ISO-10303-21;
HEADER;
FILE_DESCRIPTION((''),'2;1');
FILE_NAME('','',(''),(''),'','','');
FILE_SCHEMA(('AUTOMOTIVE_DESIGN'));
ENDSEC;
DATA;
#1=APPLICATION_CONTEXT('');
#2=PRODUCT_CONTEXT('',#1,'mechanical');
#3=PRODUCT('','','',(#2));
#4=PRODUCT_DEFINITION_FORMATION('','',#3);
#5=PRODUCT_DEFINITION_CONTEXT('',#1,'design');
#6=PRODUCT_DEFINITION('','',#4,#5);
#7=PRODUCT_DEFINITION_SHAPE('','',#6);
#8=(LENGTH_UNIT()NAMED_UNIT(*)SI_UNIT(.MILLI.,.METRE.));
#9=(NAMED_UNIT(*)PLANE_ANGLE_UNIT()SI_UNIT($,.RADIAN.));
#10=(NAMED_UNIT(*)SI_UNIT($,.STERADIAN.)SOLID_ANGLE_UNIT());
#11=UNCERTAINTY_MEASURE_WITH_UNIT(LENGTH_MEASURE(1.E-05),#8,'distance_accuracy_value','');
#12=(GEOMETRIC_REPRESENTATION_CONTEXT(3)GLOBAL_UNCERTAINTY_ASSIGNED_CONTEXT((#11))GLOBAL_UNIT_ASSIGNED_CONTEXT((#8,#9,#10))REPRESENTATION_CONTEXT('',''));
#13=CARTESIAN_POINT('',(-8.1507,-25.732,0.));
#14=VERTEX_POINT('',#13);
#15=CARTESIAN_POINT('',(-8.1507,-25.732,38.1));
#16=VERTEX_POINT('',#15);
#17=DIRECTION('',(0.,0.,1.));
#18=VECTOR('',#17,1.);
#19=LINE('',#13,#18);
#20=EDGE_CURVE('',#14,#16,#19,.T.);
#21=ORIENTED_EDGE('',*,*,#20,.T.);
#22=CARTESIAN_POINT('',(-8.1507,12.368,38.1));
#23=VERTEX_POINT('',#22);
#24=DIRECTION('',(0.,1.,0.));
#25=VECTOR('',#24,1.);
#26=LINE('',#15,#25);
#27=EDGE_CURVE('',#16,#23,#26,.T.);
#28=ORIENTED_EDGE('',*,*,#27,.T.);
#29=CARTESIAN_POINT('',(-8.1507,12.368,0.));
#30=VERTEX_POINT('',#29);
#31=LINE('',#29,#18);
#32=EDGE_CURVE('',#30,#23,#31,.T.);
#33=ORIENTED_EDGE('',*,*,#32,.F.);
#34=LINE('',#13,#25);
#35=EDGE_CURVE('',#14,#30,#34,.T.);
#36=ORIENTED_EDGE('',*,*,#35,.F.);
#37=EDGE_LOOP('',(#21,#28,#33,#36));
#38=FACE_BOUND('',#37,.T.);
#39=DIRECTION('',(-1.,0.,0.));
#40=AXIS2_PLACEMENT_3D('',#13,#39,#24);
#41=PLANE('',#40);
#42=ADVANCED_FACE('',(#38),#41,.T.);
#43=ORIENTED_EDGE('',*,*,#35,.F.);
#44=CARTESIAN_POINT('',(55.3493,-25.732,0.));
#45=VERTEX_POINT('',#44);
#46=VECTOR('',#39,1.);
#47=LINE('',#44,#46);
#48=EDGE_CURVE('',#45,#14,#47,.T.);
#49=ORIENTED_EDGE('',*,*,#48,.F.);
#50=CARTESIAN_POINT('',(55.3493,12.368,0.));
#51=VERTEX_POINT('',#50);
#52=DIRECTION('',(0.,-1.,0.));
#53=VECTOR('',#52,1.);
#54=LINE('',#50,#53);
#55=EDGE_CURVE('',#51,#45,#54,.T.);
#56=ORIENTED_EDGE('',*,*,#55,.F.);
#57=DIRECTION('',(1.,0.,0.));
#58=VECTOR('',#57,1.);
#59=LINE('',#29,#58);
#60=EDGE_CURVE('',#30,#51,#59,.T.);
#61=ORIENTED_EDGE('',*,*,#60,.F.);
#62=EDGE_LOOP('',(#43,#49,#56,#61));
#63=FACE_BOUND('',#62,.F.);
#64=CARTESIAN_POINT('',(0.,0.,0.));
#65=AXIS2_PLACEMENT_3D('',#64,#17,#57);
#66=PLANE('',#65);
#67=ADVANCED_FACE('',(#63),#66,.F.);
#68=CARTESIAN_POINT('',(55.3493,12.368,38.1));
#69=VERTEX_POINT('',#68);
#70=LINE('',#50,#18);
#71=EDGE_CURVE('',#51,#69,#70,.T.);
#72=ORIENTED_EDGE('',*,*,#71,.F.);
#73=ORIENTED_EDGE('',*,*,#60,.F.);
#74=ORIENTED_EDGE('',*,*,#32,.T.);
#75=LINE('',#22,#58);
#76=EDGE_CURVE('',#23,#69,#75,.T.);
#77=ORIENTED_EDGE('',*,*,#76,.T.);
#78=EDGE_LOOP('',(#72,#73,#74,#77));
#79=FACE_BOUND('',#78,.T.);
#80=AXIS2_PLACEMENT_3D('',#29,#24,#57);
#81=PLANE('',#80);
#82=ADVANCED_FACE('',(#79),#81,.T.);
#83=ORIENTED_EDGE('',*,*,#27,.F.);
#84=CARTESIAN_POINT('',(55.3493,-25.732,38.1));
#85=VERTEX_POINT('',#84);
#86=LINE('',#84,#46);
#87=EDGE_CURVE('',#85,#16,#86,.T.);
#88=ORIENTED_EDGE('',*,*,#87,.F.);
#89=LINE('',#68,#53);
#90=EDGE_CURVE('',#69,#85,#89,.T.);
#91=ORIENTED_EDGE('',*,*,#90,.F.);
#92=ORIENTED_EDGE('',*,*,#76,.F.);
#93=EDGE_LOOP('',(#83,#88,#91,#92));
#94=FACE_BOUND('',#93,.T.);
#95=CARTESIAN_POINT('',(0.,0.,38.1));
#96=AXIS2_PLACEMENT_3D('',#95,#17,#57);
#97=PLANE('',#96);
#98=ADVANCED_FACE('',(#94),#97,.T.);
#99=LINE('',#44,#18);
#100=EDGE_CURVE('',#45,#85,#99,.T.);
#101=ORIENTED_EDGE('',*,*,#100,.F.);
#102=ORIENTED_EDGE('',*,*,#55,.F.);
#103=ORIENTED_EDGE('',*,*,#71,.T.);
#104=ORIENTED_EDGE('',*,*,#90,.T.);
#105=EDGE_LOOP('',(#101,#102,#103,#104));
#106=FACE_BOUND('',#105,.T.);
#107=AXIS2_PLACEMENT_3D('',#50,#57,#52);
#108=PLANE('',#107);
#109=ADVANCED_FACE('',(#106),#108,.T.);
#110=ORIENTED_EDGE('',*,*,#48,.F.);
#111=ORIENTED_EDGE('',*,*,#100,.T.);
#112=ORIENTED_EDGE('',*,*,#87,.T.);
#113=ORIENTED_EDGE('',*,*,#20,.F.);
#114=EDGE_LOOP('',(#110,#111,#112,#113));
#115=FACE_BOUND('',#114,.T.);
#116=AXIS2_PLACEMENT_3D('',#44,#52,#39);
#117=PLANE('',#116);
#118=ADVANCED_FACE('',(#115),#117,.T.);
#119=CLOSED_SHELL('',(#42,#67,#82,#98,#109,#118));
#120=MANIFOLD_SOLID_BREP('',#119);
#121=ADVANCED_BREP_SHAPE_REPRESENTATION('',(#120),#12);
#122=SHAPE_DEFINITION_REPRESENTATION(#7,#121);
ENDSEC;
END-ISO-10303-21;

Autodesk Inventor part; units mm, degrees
ref_plane "YZ Plane" through (0, 0, 0) normal (1, 0, 0) x (0, 1, 0)
ref_plane "XZ Plane" through (0, 0, 0) normal (0, 1, 0) x (-1, 0, 0)
ref_plane "XY Plane" through (0, 0, 0) normal (0, 0, 1) x (1, 0, 0)
sketch "Sketch1" plane through (0, 0, 0) normal (0, 0, 1) x (1, 0, 0)
  line L0 (-8.1507, 12.368) -> (55.3493, 12.368)
  line L1 (55.3493, 12.368) -> (55.3493, -25.732)
  line L2 (55.3493, -25.732) -> (-8.1507, -25.732)
  line L3 (-8.1507, -25.732) -> (-8.1507, 12.368)
  point P0 (0, 0)
  dimension "d0" = 63.5
  dimension "d1" = 38.1
extrude "Extrusion1" add sketch "Sketch1" along normal blind 38.1
sketch "Sketch2" plane through (0, 0, 38.1) normal (0, 0, 1) x (1, 0, 0)
  line L0 (-1.8007, 12.368) -> (23.5993, -19.382)
  line L1 (23.5993, -19.382) -> (48.9993, 12.368)
  line L2 (55.3493, 12.368) -> (-8.1507, 12.368) projected
  line L3 (-8.1507, 12.368) -> (-8.1507, -25.732) projected
  line L4 (55.3493, -25.732) -> (55.3493, 12.368) projected
  line L5 (-8.1507, -25.732) -> (55.3493, -25.732) projected
  point P0 (0, 0)
  dimension "d4" = 6.35
  dimension "d5" = 0
  dimension "d6" = 6.35
  dimension "d7" = 6.35
